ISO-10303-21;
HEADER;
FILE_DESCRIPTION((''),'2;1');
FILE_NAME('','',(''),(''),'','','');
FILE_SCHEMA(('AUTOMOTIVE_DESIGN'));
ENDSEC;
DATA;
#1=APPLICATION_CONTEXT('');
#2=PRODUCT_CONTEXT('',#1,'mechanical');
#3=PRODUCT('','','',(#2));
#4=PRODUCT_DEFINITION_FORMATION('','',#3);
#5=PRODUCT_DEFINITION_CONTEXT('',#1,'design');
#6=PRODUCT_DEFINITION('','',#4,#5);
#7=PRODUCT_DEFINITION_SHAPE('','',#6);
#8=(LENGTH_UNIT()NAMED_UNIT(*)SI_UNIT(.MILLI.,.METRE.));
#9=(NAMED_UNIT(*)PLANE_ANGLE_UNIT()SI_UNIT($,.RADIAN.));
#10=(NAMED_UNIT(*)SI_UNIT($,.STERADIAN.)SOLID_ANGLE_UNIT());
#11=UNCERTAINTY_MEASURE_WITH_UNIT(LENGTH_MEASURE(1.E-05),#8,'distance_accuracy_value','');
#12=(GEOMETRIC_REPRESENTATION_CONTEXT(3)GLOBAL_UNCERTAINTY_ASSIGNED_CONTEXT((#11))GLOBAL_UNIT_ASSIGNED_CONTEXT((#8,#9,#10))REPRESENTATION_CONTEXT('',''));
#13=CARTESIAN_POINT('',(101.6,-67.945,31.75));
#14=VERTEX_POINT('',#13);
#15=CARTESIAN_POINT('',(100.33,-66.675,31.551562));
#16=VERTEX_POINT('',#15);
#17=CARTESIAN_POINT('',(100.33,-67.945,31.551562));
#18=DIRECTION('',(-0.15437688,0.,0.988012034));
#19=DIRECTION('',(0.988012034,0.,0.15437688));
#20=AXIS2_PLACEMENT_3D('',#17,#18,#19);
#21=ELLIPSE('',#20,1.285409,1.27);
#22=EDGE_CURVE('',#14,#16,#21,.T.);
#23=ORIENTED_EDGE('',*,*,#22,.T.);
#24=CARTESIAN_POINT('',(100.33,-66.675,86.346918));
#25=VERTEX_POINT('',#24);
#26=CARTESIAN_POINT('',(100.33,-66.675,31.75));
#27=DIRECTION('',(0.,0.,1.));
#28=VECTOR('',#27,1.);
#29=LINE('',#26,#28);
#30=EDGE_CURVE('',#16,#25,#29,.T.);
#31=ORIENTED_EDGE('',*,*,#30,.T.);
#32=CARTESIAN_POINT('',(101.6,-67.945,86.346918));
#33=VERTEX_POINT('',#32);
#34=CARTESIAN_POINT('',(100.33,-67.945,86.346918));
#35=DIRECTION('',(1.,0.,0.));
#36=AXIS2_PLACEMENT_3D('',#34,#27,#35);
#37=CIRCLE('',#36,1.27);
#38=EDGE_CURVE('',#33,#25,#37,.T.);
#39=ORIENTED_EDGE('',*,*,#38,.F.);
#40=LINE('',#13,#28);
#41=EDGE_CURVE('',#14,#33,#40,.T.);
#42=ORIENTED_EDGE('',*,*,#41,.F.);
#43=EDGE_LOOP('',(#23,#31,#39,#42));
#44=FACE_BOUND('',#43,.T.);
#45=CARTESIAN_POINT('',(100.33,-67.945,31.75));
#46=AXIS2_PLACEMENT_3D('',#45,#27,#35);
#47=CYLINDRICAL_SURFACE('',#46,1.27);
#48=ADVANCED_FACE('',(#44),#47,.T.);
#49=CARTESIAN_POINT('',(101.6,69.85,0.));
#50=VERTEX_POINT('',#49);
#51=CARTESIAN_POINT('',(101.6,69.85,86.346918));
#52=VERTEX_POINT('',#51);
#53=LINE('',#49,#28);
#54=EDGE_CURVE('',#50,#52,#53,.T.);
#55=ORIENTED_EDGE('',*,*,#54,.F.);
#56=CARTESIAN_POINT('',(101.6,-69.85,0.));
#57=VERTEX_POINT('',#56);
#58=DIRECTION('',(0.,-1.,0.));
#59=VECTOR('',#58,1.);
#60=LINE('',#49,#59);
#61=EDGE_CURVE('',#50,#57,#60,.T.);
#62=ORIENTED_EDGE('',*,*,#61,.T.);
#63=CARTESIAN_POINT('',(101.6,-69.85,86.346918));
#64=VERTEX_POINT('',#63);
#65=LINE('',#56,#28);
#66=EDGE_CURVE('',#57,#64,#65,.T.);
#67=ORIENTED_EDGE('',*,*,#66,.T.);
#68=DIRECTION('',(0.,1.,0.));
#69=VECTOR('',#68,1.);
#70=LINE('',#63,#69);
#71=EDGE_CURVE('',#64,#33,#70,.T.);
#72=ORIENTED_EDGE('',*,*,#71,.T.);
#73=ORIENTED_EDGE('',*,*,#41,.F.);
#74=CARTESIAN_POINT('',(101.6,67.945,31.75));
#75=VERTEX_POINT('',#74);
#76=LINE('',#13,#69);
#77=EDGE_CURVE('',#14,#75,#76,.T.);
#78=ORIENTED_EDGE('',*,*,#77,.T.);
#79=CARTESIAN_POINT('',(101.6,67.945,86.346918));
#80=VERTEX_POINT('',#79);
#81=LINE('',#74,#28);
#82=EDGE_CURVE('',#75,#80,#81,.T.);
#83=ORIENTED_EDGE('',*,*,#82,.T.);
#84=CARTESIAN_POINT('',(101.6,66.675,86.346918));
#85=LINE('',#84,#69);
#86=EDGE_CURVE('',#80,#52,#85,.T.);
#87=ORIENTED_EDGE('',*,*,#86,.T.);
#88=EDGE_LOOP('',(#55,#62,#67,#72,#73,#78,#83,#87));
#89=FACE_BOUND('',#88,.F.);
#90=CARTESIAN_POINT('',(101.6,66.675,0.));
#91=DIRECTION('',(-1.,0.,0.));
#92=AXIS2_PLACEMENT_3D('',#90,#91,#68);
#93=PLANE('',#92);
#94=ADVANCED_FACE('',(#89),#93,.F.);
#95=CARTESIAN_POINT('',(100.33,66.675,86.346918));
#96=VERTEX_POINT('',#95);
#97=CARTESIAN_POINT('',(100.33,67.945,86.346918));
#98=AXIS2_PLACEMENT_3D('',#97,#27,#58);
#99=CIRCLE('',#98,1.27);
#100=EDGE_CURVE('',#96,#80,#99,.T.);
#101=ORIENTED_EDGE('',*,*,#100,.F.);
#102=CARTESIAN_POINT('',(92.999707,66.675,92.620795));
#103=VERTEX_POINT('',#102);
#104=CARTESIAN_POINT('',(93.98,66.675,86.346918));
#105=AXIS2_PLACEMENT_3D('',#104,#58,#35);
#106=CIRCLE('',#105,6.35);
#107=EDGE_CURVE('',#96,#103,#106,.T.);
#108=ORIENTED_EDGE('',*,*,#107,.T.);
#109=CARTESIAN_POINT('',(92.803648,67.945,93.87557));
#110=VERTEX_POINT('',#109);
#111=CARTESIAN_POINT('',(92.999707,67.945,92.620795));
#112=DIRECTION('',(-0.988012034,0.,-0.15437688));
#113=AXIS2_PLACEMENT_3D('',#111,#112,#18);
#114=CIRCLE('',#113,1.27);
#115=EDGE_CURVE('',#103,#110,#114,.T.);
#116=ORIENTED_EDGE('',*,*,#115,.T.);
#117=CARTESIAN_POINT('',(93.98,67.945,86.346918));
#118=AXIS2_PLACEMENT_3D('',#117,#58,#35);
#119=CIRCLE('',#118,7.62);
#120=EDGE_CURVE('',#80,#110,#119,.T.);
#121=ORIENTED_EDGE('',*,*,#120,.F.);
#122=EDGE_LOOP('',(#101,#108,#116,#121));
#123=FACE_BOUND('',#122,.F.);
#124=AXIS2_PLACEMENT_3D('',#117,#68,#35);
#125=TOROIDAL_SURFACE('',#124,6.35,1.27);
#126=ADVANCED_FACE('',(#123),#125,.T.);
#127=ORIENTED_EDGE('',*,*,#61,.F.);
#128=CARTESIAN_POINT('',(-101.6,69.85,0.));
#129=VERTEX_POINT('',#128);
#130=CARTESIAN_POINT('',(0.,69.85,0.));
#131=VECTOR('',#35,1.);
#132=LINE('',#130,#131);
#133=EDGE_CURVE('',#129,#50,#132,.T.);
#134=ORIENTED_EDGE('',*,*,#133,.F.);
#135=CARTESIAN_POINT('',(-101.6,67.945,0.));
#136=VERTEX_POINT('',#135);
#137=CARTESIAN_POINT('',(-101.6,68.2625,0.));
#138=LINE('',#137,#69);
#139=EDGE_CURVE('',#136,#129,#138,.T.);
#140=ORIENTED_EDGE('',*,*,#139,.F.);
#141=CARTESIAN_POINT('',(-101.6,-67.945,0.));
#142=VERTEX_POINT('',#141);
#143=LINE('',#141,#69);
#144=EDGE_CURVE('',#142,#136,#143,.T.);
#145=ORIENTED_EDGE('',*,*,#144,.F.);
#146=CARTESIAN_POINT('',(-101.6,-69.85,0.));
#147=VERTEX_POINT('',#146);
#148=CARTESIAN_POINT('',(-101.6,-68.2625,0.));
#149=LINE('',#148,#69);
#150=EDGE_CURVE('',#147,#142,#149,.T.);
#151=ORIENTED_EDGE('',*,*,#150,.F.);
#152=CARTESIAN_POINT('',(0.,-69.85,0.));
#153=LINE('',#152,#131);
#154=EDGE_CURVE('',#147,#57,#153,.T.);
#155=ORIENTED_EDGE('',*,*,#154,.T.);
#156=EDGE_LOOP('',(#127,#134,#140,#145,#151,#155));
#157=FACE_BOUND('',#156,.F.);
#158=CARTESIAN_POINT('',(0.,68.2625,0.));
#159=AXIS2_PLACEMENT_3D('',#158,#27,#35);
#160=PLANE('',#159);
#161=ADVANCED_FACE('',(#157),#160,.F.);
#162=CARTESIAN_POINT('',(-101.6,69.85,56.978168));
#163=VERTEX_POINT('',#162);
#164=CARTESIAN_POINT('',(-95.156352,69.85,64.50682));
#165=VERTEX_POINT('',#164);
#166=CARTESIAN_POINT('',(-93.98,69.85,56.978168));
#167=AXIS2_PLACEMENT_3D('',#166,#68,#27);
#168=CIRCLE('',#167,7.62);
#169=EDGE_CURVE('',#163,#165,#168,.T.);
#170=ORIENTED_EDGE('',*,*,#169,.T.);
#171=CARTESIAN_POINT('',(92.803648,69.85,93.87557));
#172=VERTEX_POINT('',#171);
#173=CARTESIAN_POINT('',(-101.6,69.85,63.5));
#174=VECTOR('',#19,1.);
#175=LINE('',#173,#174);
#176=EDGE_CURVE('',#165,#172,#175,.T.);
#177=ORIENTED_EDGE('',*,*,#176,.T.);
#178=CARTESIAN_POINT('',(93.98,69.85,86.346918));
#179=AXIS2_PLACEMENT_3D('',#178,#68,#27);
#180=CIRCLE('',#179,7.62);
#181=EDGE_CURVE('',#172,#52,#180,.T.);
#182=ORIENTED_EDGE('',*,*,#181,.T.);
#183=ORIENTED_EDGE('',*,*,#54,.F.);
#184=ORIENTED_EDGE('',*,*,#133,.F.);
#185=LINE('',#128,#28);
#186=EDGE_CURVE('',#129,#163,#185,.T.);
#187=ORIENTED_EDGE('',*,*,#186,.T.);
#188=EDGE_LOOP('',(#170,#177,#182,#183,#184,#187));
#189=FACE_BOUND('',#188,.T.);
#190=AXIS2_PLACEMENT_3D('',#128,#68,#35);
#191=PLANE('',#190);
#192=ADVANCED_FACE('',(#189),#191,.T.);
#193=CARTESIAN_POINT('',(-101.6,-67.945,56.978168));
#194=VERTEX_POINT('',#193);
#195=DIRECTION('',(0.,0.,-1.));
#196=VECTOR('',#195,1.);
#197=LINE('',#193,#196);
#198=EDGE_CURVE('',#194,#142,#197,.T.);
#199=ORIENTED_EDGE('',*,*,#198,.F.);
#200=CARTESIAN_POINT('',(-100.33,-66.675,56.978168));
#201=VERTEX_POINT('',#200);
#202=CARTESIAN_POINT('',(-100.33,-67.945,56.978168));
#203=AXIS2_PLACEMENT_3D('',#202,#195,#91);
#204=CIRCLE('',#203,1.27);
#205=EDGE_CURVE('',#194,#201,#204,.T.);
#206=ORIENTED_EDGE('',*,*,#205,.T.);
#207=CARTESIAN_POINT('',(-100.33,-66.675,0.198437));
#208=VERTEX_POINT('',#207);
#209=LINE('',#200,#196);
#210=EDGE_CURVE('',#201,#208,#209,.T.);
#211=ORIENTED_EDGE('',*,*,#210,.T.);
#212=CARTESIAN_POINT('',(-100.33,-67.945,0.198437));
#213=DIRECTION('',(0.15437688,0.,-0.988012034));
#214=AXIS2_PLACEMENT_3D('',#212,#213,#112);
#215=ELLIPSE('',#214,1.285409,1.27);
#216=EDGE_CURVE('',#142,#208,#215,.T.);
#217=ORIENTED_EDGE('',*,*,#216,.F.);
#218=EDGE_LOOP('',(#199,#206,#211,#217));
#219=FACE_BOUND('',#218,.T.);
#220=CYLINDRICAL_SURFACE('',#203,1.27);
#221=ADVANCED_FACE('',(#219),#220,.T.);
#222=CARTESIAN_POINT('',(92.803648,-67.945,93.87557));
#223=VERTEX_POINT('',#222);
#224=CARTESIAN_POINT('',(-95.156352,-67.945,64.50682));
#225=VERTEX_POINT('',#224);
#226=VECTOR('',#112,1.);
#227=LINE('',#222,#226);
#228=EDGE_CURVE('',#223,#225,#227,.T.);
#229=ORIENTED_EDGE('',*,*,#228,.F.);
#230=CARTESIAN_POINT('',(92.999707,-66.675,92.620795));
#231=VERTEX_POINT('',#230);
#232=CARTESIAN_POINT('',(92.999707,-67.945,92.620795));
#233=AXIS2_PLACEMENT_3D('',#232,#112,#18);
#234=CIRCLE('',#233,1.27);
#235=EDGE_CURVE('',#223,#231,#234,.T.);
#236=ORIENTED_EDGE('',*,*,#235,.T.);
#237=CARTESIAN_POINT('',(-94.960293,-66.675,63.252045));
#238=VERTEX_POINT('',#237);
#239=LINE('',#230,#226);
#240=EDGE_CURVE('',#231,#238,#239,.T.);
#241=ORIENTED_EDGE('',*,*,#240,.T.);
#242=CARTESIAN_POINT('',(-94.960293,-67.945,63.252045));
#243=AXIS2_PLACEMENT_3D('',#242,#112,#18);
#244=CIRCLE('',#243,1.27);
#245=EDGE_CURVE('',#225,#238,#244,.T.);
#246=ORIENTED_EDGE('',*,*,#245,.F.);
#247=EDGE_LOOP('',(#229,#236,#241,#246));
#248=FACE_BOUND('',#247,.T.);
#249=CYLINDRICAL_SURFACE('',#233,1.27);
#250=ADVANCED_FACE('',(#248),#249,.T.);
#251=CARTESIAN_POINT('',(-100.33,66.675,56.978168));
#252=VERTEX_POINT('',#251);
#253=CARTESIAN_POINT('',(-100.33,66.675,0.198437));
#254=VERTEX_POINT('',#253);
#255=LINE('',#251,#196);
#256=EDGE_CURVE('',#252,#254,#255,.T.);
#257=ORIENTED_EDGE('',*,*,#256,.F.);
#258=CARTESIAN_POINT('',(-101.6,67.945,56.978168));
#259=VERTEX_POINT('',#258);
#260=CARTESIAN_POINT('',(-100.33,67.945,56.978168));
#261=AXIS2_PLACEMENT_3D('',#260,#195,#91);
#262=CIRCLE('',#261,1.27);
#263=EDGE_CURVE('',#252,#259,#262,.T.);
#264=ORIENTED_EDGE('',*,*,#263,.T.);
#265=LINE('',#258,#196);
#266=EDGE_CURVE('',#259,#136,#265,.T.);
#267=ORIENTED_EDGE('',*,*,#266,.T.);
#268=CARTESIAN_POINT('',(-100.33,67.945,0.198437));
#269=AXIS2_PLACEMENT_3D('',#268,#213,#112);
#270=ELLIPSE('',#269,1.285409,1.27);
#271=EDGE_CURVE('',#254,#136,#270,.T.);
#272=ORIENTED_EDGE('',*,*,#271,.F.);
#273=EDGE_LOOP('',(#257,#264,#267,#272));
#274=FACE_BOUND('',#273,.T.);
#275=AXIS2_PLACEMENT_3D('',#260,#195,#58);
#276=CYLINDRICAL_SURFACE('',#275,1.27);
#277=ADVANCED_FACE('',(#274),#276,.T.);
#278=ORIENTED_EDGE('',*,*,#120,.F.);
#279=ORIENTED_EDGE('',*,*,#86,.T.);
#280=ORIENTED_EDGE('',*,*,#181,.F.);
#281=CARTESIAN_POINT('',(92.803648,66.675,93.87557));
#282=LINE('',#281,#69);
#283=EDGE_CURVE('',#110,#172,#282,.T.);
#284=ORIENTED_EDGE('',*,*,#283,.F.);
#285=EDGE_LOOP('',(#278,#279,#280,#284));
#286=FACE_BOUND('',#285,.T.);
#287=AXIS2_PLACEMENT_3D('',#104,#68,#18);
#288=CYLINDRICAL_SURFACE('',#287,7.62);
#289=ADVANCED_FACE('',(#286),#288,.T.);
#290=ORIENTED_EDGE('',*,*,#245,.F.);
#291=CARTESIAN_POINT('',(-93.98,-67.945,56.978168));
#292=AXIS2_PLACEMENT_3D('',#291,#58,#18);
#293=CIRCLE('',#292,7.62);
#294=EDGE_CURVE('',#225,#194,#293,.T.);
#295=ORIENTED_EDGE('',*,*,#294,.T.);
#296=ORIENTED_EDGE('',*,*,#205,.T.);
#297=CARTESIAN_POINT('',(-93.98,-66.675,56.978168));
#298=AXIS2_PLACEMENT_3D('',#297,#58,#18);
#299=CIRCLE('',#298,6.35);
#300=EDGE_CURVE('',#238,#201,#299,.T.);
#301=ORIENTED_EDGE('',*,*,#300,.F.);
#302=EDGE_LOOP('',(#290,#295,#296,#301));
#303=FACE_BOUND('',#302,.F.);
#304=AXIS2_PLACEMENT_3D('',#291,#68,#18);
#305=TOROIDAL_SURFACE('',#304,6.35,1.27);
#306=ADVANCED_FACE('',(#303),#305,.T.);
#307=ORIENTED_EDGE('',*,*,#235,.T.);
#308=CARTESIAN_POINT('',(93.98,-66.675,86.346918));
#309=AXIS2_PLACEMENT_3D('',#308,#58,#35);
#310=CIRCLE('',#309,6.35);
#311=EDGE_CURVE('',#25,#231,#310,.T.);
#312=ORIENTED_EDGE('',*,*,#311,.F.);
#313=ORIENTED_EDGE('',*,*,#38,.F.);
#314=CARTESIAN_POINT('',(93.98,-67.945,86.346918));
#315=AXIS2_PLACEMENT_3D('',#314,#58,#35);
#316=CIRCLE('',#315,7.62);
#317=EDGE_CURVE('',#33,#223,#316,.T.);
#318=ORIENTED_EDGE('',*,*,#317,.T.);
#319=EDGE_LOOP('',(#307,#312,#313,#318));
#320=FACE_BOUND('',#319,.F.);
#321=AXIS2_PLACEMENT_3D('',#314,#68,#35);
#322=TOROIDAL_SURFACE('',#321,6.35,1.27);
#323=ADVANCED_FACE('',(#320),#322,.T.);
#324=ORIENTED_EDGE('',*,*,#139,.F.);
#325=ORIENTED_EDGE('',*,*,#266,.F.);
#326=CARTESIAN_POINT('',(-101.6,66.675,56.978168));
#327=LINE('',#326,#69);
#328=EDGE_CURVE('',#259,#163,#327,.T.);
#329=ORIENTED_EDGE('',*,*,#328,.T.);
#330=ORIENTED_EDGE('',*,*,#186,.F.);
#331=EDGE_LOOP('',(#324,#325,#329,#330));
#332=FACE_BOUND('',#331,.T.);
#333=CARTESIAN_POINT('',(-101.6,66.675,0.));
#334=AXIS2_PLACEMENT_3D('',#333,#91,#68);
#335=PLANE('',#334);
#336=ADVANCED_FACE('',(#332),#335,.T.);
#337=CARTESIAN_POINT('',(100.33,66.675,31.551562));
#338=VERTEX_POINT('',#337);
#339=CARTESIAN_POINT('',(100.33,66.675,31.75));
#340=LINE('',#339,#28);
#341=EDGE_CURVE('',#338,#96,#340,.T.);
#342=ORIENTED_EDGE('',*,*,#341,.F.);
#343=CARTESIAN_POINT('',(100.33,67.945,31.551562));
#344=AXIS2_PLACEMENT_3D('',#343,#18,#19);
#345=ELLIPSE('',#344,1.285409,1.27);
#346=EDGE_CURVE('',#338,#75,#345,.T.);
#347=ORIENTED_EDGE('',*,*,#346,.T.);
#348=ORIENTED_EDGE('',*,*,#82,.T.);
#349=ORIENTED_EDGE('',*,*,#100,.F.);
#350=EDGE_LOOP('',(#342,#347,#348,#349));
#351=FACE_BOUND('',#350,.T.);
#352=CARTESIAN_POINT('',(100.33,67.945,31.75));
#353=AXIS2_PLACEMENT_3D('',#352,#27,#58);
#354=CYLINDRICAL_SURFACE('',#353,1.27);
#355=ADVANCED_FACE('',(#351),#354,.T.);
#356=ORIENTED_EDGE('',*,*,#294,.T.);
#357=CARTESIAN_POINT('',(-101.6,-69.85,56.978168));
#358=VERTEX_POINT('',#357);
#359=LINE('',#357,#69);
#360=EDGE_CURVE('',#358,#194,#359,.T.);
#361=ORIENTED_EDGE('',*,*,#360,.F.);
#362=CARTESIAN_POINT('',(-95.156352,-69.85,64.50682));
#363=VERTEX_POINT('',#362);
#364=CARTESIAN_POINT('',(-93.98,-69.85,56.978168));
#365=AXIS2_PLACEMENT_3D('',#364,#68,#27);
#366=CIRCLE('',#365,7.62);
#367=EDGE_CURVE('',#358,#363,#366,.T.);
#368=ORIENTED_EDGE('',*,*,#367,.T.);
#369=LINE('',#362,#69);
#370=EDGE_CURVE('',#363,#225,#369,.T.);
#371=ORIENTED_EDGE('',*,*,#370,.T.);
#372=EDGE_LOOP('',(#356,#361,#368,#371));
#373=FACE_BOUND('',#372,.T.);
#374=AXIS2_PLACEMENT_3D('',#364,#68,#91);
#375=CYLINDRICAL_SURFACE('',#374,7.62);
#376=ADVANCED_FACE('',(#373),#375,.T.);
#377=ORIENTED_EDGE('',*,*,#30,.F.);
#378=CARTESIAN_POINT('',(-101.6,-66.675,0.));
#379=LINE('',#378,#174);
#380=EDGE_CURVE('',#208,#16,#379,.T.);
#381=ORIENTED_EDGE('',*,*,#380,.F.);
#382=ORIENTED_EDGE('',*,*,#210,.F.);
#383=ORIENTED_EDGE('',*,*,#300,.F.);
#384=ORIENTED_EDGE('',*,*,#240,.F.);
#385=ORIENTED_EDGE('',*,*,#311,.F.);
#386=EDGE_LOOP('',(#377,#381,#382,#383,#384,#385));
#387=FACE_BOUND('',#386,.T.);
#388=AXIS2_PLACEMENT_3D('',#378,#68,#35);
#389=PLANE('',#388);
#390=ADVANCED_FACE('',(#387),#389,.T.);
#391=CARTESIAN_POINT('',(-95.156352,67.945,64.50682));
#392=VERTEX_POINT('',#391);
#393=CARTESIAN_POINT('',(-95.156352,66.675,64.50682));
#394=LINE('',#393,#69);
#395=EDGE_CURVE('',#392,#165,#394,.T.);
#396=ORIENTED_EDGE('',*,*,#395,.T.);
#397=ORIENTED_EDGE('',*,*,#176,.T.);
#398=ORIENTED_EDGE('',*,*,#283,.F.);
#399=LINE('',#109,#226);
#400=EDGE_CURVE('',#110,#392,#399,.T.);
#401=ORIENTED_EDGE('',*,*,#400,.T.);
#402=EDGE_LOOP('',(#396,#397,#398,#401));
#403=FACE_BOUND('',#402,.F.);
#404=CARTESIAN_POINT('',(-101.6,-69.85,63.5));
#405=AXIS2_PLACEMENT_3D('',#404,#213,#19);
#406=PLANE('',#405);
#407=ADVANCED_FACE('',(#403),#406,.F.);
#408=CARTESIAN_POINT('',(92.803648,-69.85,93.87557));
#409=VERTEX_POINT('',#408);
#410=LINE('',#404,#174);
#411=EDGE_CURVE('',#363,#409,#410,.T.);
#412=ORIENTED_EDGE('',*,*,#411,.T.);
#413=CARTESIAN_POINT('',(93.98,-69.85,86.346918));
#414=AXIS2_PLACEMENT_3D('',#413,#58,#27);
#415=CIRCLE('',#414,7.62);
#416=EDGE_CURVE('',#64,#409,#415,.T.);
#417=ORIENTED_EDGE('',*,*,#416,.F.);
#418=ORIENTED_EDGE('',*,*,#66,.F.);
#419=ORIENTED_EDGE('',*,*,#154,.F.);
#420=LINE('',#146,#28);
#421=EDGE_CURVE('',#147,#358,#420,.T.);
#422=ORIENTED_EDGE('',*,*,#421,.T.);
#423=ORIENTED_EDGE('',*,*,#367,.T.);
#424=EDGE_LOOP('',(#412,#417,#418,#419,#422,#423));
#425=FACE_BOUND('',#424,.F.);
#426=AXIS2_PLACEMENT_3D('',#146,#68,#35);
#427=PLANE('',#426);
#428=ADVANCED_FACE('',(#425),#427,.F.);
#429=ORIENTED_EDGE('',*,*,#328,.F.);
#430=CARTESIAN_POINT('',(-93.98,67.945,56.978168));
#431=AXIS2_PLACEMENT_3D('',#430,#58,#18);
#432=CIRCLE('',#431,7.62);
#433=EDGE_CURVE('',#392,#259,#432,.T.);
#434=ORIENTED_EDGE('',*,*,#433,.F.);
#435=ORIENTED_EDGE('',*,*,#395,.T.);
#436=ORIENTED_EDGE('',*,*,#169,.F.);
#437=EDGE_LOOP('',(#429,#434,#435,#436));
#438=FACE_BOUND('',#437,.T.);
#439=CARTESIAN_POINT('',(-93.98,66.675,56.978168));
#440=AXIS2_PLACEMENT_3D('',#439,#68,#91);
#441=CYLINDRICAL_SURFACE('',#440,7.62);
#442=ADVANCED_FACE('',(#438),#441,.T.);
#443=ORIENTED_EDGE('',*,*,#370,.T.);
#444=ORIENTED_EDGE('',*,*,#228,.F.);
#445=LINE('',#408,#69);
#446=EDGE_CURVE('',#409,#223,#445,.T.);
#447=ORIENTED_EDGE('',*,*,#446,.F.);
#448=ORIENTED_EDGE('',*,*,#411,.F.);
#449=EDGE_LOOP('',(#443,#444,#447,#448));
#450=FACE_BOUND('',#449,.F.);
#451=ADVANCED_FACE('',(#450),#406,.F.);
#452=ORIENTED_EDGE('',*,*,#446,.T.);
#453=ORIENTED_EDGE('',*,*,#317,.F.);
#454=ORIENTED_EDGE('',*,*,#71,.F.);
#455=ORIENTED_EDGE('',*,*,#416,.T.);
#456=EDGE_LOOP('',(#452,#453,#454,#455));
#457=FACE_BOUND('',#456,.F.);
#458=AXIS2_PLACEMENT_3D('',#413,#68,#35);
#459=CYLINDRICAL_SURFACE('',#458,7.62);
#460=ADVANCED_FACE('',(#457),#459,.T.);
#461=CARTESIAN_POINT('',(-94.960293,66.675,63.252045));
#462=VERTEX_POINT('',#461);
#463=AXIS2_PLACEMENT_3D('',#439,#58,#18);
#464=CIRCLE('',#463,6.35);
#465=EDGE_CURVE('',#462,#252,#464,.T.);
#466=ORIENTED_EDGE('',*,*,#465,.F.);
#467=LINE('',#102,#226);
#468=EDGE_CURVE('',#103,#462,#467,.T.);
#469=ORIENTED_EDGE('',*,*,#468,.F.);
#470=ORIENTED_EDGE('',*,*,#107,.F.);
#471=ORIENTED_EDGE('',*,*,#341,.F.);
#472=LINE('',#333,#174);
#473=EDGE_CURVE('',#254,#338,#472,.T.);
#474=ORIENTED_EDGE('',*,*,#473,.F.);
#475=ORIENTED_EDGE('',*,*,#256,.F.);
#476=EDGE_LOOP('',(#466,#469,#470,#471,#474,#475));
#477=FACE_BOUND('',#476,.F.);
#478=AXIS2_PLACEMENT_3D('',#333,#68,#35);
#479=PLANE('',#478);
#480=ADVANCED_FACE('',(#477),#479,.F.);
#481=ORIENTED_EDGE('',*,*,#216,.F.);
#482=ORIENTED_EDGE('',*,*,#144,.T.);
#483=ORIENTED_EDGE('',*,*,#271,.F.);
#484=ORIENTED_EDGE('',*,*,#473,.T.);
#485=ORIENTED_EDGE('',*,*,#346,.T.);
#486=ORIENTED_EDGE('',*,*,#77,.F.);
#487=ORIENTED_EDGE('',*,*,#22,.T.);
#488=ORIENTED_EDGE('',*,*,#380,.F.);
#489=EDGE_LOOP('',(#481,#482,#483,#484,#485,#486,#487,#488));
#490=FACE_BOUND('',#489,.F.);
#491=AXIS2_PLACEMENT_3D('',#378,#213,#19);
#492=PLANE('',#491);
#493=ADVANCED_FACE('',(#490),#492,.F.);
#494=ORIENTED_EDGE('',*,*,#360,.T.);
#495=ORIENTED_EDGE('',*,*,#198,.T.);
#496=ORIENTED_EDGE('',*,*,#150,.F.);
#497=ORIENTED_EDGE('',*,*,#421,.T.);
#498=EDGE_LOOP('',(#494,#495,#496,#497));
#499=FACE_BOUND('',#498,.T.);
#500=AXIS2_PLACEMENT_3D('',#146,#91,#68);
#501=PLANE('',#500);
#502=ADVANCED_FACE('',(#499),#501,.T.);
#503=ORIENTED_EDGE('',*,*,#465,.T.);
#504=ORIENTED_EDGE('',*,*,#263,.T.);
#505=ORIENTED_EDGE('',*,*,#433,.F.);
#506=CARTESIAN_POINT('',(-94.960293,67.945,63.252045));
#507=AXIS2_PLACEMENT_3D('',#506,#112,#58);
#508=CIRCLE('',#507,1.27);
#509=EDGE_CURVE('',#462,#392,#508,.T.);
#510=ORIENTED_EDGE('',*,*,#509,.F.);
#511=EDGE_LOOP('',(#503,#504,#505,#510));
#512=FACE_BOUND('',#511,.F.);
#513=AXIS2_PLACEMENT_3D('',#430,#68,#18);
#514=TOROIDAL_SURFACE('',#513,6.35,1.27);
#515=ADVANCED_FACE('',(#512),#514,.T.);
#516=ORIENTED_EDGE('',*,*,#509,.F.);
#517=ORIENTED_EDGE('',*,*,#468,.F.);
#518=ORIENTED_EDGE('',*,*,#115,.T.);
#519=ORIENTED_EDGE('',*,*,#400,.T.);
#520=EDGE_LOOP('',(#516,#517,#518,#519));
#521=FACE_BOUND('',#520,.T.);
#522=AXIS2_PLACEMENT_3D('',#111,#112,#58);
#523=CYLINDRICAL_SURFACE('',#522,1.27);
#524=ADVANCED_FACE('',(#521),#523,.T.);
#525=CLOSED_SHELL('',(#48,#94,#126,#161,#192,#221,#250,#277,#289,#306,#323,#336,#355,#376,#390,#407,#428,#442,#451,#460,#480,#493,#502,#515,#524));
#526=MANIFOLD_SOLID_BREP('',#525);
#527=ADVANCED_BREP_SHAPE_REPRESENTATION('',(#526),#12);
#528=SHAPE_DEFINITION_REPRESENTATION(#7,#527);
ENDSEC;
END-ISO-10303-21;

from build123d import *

# Parameters (mm, degrees)
F0_W     = 203.2
F0_H     = 133.35
F1_DEPTH = 31.75
F3_DEPTH = 133.35
F4_W     = 203.2
F4_H     = 3.175
F5_DEPTH = 95.25
F7_DEPTH = 139.7
F8_R     = 7.62
F9_R     = 1.27


with BuildPart() as f1:
    # F0 (on Top) → F1 (new body)
    with BuildSketch(Plane.XY):
        Rectangle(F0_W, F0_H)
    extrude(amount=F1_DEPTH)

    # F2 (on face) → F3 (cut, through all)
    with BuildSketch(Plane.XZ.offset(66.675)):
        Polygon((-101.6, 31.75), (-101.6, 0), (101.6, 31.75), align=None)
    extrude(amount=-F3_DEPTH, mode=Mode.SUBTRACT)

    # F4 (on Top) → F5 (join)
    with BuildSketch(Plane.XY):
        with Locations((0, 68.2625)):
            Rectangle(F4_W, F4_H)
        with Locations((0, -68.2625)):
            Rectangle(F4_W, F4_H)
    extrude(amount=F5_DEPTH)

    # F6 (on face) → F7 (cut, through all)
    with BuildSketch(Plane.XZ.offset(69.85)):
        Polygon((-101.6, 63.5), (101.6, 95.25), (-101.6, 95.25), align=None)
    extrude(amount=-F7_DEPTH, mode=Mode.SUBTRACT)

    # F8
    f8_edges = [f1.edges().sort_by_distance(p)[0] for p in [
        (101.6, -68.2625, 95.25),
        (101.6, 68.2625, 95.25),
        (-101.6, -68.2625, 63.5),
        (-101.6, 68.2625, 63.5),
    ]]
    fillet(f8_edges, radius=F8_R)

    # F9
    f9_edges = [f1.edges().sort_by_distance(p)[0] for p in [
        (101.6, -66.675, 59.048459),
        (101.6, 66.675, 59.048459),
    ]]
    fillet(f9_edges, radius=F9_R)


solid = f1.part
